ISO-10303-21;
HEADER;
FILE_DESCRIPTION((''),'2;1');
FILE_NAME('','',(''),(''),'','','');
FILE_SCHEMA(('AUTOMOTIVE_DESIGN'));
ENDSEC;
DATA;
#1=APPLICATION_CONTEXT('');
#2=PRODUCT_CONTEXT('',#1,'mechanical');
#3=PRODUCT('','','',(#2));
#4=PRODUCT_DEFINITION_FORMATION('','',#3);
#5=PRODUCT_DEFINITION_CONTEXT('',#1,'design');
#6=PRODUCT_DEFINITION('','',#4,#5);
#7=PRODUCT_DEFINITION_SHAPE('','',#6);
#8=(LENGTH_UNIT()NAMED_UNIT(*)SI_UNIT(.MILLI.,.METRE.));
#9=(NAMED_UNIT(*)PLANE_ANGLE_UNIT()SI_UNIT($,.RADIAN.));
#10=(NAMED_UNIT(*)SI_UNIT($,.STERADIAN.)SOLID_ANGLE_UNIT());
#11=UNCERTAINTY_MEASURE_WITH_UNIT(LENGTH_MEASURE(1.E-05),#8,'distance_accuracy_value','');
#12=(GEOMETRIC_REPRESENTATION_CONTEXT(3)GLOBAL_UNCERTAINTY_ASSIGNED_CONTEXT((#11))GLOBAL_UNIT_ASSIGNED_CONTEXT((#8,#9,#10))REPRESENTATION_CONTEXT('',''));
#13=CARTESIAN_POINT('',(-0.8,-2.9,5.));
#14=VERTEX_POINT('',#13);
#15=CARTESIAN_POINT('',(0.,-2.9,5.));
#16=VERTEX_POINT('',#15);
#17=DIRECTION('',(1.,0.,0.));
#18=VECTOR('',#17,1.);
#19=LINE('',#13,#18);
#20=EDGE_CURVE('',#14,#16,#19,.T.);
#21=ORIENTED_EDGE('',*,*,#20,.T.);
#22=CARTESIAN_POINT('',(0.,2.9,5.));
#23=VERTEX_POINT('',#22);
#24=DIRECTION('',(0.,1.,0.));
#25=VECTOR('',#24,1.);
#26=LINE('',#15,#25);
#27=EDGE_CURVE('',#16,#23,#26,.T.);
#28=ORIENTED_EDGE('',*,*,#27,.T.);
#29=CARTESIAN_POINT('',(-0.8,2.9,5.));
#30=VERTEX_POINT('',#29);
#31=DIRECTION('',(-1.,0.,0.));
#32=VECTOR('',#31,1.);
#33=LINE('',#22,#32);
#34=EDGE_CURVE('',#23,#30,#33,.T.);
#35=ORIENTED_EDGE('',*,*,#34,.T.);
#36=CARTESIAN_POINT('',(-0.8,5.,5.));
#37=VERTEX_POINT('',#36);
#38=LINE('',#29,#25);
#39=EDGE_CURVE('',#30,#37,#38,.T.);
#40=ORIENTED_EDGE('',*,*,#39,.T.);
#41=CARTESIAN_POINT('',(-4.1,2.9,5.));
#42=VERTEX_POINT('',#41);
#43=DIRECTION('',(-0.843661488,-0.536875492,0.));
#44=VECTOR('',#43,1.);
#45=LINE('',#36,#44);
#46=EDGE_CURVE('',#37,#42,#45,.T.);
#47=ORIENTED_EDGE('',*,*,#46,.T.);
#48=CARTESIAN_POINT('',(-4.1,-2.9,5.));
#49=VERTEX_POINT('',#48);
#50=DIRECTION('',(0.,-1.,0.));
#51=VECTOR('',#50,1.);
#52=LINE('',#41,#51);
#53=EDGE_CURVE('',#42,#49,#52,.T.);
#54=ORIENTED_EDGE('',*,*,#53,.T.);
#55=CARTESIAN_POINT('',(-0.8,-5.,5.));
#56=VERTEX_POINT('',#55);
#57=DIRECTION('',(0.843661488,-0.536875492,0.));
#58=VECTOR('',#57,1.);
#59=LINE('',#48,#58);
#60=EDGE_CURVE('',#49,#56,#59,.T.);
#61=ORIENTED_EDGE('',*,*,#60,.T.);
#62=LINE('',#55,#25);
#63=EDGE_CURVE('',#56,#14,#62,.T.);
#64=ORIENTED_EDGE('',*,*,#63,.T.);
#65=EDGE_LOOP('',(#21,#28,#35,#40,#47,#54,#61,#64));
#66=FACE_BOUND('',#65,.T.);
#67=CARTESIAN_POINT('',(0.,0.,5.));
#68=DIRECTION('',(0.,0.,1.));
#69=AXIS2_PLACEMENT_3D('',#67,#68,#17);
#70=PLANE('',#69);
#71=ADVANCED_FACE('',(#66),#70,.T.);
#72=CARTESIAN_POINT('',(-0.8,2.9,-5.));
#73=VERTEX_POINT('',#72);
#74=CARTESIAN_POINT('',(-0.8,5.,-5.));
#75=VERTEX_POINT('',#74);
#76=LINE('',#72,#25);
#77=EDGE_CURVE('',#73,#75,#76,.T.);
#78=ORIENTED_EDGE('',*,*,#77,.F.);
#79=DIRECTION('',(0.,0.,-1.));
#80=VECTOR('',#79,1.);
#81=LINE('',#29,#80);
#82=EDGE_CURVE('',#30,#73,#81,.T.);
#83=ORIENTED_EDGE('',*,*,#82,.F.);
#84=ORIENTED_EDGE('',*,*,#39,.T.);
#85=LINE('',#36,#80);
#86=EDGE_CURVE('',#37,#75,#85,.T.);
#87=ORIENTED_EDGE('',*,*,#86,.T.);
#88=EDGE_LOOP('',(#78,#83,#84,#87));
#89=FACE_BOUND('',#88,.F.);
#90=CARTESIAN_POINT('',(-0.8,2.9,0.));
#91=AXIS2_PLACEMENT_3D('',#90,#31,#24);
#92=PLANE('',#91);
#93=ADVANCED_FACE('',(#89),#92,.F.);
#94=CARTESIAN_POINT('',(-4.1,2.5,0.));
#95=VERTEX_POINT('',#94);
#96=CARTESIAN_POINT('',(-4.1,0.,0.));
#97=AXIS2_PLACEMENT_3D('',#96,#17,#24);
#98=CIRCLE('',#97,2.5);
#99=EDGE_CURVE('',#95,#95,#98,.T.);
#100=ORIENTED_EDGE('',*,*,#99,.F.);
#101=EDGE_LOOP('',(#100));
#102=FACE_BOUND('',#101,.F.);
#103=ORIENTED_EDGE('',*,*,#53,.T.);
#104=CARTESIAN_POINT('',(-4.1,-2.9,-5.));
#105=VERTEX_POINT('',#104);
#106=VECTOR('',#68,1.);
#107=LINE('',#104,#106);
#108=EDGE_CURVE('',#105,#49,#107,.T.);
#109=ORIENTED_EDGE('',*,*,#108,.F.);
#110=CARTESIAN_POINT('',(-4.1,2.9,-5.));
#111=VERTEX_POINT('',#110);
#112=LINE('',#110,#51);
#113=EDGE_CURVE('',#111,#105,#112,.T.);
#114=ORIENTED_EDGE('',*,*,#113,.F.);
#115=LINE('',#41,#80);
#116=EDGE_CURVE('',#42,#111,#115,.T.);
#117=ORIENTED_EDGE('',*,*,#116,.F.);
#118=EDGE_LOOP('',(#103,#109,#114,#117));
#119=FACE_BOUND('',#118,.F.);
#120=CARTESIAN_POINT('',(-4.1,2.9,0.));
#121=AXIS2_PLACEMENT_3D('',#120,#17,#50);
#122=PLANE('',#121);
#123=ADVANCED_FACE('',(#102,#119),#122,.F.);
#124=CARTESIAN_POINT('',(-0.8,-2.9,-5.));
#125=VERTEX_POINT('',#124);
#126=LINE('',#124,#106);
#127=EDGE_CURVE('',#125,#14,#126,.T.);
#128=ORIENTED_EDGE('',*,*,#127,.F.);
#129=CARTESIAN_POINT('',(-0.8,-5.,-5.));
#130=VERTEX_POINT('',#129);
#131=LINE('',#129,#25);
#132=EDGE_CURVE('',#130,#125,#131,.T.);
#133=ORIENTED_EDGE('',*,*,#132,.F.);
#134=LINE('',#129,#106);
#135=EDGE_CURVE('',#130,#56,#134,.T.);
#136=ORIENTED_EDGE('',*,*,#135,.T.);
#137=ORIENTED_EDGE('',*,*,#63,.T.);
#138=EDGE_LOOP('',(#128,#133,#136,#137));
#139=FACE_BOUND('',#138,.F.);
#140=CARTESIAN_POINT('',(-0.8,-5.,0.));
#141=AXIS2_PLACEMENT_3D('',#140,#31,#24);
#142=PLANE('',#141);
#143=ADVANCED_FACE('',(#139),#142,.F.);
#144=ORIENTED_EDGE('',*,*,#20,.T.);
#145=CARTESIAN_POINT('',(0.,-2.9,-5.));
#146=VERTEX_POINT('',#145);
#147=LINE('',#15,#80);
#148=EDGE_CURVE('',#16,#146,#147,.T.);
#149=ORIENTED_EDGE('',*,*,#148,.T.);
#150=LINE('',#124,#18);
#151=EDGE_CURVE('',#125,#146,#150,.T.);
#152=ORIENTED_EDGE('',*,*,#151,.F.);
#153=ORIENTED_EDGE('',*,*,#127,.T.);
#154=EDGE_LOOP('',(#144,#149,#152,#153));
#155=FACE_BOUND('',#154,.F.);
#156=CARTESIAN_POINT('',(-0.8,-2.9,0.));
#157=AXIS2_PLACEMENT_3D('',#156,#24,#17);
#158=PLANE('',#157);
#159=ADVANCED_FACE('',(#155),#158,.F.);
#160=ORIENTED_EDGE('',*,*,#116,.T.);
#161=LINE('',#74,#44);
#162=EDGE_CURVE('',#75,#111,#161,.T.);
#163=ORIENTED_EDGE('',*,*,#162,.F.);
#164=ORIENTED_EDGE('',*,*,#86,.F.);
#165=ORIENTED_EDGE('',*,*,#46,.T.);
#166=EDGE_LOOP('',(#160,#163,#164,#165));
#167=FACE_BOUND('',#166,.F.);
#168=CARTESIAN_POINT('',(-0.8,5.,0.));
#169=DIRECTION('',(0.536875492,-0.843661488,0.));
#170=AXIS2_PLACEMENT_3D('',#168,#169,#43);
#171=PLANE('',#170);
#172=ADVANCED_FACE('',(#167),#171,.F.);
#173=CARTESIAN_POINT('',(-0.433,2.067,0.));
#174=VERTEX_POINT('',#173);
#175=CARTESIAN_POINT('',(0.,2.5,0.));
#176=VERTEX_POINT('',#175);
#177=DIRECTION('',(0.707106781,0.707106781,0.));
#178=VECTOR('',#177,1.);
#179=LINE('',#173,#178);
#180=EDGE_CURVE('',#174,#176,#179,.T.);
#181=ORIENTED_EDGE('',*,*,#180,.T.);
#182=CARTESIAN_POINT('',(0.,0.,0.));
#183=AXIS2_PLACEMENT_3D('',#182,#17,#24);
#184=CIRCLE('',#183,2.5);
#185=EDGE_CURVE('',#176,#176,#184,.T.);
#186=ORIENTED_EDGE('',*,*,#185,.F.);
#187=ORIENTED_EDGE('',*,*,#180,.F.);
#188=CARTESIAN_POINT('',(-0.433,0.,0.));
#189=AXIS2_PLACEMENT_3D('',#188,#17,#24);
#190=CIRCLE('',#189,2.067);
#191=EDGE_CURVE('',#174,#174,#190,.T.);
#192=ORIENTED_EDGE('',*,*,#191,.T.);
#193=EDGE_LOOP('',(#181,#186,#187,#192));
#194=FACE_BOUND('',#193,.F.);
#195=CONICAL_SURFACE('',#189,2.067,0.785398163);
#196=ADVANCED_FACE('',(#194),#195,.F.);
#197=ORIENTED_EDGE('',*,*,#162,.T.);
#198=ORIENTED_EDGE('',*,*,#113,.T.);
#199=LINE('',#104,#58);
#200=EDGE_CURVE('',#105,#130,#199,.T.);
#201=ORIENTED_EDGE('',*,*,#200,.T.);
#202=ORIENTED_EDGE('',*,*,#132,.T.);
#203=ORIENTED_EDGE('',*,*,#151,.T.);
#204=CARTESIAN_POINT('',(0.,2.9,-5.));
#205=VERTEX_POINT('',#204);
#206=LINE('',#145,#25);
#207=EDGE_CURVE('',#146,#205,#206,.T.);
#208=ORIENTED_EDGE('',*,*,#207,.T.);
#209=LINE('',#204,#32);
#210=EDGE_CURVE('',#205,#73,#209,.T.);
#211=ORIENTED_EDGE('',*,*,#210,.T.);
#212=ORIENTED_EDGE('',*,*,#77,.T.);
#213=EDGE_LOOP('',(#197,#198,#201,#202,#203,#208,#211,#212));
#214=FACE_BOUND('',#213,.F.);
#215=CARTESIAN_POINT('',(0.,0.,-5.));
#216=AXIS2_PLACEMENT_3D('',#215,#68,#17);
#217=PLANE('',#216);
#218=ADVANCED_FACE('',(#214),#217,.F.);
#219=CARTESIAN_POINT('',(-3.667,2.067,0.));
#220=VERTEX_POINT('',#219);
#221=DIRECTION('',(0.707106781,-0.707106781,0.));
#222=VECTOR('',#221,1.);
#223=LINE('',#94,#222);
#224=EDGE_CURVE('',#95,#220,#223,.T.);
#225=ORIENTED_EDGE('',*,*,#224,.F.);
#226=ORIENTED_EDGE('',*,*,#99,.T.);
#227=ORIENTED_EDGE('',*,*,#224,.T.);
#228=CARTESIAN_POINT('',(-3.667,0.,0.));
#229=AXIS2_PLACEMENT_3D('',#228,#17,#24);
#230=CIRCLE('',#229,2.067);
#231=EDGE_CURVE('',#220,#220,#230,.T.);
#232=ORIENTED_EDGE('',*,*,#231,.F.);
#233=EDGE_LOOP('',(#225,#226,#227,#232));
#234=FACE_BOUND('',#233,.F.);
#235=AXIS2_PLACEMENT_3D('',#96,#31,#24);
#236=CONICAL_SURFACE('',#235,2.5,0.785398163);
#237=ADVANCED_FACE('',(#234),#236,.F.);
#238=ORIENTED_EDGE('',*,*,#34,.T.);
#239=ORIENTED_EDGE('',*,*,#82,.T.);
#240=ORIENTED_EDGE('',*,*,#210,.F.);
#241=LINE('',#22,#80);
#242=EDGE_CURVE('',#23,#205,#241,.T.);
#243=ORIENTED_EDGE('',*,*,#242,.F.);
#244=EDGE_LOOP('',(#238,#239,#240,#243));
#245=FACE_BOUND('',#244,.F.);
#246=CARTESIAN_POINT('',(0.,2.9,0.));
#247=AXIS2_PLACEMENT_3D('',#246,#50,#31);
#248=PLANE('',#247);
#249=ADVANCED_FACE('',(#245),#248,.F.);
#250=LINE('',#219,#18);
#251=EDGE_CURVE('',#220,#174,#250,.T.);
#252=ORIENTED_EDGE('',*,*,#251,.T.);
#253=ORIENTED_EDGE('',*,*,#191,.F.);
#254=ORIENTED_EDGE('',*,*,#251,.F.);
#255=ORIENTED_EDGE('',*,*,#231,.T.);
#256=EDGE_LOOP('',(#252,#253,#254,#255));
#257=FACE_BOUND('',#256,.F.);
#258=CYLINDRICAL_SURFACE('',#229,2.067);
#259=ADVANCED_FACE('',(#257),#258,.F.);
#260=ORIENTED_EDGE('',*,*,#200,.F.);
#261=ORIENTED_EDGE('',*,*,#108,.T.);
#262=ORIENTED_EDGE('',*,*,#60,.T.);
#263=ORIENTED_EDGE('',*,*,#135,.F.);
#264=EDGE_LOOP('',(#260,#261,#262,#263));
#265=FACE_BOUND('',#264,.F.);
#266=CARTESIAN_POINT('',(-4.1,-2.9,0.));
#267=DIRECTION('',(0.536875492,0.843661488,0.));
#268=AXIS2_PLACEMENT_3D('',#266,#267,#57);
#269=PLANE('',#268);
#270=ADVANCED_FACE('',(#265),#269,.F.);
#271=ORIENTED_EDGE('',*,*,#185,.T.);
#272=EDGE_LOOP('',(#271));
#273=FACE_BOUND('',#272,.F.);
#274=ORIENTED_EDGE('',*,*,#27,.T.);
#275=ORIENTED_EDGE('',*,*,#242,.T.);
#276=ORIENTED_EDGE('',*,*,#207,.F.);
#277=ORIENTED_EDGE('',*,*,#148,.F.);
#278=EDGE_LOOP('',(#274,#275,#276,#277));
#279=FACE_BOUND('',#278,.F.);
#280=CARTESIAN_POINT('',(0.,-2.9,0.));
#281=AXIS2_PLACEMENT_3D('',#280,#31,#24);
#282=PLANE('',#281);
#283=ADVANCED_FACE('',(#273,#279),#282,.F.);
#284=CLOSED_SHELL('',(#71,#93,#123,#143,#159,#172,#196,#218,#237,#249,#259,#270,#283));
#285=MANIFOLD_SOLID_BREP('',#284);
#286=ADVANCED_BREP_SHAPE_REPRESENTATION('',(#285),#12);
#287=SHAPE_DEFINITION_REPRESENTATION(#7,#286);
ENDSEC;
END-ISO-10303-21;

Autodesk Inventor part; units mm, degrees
sketch "Sketch_4" plane through (0, 0, 0) normal (0, 0, 1) x (1, 0, 0)
  line L0 (-4.1, -2.9) -> (-0.8, -5)
  line L1 (-0.8, -5) -> (-0.8, -2.9)
  line L2 (-0.8, -2.9) -> (0, -2.9)
  line L3 (0, -2.9) -> (0, 2.9)
  line L4 (0, 2.9) -> (-0.8, 2.9)
  line L5 (-0.8, 2.9) -> (-0.8, 5)
  line L6 (-0.8, 5) -> (-4.1, 2.9)
  line L7 (-4.1, 2.9) -> (-4.1, -2.9)
extrude "Extrusion1" add sketch "Sketch_4" along normal mid plane 10
sketch "Sketch_5" plane through (0, 0, 0) normal (0, 0, 1) x (1, 0, 0)
  line L0 (0, 0) -> (-4.1, 0)
  line L1 (-4.1, 0) -> (-4.1, 2.5)
  line L2 (-4.1, 2.5) -> (-3.667, 2.067)
  line L3 (-3.667, 2.067) -> (-0.433, 2.067)
  line L4 (-0.433, 2.067) -> (0, 2.5)
  line L5 (0, 2.5) -> (0, 0)
  line L6 (0, 0) -> (-4.1, 0)
revolve "Revolution1" cut sketch "Sketch_5" angle 360 about axis through (0, 0, 0) along (1, 0, 0)
thread "Thread1" size "M5x0.8" class "6H" standard "ISO Metric profile" full length
ref_plane "nut_XY" through (0, 0, 0) normal (1, 0, 0) x (0, 0, -1)
ref_plane "nut_YZ" through (0, 0, 0) normal (0, 0, -1) x (0, 1, 0)
ref_plane "nut_ZX" through (0, 0, 0) normal (0, 1, 0) x (1, 0, 0)
ref_plane "to_bolt_XY" through (-4.1, 0, 0) normal (1, 0, 0) x (0, 0, -1)
ref_plane "to_bolt_YZ" through (-4.1, 0, 0) normal (0, 0, -1) x (0, 1, 0)
ref_plane "to_bolt_ZX" through (-4.1, 0, 0) normal (0, 1, 0) x (1, 0, 0)
ref_plane "to_frames_XY" through (-0.8, 0, 0) normal (1, 0, 0) x (0, 0, -1)
ref_plane "to_frames_YZ" through (-0.8, 0, 0) normal (0, 0, -1) x (0, 1, 0)
ref_plane "to_frames_ZX" through (-0.8, 0, 0) normal (0, 1, 0) x (1, 0, 0)
properties part number "HNTT5-5_1"
